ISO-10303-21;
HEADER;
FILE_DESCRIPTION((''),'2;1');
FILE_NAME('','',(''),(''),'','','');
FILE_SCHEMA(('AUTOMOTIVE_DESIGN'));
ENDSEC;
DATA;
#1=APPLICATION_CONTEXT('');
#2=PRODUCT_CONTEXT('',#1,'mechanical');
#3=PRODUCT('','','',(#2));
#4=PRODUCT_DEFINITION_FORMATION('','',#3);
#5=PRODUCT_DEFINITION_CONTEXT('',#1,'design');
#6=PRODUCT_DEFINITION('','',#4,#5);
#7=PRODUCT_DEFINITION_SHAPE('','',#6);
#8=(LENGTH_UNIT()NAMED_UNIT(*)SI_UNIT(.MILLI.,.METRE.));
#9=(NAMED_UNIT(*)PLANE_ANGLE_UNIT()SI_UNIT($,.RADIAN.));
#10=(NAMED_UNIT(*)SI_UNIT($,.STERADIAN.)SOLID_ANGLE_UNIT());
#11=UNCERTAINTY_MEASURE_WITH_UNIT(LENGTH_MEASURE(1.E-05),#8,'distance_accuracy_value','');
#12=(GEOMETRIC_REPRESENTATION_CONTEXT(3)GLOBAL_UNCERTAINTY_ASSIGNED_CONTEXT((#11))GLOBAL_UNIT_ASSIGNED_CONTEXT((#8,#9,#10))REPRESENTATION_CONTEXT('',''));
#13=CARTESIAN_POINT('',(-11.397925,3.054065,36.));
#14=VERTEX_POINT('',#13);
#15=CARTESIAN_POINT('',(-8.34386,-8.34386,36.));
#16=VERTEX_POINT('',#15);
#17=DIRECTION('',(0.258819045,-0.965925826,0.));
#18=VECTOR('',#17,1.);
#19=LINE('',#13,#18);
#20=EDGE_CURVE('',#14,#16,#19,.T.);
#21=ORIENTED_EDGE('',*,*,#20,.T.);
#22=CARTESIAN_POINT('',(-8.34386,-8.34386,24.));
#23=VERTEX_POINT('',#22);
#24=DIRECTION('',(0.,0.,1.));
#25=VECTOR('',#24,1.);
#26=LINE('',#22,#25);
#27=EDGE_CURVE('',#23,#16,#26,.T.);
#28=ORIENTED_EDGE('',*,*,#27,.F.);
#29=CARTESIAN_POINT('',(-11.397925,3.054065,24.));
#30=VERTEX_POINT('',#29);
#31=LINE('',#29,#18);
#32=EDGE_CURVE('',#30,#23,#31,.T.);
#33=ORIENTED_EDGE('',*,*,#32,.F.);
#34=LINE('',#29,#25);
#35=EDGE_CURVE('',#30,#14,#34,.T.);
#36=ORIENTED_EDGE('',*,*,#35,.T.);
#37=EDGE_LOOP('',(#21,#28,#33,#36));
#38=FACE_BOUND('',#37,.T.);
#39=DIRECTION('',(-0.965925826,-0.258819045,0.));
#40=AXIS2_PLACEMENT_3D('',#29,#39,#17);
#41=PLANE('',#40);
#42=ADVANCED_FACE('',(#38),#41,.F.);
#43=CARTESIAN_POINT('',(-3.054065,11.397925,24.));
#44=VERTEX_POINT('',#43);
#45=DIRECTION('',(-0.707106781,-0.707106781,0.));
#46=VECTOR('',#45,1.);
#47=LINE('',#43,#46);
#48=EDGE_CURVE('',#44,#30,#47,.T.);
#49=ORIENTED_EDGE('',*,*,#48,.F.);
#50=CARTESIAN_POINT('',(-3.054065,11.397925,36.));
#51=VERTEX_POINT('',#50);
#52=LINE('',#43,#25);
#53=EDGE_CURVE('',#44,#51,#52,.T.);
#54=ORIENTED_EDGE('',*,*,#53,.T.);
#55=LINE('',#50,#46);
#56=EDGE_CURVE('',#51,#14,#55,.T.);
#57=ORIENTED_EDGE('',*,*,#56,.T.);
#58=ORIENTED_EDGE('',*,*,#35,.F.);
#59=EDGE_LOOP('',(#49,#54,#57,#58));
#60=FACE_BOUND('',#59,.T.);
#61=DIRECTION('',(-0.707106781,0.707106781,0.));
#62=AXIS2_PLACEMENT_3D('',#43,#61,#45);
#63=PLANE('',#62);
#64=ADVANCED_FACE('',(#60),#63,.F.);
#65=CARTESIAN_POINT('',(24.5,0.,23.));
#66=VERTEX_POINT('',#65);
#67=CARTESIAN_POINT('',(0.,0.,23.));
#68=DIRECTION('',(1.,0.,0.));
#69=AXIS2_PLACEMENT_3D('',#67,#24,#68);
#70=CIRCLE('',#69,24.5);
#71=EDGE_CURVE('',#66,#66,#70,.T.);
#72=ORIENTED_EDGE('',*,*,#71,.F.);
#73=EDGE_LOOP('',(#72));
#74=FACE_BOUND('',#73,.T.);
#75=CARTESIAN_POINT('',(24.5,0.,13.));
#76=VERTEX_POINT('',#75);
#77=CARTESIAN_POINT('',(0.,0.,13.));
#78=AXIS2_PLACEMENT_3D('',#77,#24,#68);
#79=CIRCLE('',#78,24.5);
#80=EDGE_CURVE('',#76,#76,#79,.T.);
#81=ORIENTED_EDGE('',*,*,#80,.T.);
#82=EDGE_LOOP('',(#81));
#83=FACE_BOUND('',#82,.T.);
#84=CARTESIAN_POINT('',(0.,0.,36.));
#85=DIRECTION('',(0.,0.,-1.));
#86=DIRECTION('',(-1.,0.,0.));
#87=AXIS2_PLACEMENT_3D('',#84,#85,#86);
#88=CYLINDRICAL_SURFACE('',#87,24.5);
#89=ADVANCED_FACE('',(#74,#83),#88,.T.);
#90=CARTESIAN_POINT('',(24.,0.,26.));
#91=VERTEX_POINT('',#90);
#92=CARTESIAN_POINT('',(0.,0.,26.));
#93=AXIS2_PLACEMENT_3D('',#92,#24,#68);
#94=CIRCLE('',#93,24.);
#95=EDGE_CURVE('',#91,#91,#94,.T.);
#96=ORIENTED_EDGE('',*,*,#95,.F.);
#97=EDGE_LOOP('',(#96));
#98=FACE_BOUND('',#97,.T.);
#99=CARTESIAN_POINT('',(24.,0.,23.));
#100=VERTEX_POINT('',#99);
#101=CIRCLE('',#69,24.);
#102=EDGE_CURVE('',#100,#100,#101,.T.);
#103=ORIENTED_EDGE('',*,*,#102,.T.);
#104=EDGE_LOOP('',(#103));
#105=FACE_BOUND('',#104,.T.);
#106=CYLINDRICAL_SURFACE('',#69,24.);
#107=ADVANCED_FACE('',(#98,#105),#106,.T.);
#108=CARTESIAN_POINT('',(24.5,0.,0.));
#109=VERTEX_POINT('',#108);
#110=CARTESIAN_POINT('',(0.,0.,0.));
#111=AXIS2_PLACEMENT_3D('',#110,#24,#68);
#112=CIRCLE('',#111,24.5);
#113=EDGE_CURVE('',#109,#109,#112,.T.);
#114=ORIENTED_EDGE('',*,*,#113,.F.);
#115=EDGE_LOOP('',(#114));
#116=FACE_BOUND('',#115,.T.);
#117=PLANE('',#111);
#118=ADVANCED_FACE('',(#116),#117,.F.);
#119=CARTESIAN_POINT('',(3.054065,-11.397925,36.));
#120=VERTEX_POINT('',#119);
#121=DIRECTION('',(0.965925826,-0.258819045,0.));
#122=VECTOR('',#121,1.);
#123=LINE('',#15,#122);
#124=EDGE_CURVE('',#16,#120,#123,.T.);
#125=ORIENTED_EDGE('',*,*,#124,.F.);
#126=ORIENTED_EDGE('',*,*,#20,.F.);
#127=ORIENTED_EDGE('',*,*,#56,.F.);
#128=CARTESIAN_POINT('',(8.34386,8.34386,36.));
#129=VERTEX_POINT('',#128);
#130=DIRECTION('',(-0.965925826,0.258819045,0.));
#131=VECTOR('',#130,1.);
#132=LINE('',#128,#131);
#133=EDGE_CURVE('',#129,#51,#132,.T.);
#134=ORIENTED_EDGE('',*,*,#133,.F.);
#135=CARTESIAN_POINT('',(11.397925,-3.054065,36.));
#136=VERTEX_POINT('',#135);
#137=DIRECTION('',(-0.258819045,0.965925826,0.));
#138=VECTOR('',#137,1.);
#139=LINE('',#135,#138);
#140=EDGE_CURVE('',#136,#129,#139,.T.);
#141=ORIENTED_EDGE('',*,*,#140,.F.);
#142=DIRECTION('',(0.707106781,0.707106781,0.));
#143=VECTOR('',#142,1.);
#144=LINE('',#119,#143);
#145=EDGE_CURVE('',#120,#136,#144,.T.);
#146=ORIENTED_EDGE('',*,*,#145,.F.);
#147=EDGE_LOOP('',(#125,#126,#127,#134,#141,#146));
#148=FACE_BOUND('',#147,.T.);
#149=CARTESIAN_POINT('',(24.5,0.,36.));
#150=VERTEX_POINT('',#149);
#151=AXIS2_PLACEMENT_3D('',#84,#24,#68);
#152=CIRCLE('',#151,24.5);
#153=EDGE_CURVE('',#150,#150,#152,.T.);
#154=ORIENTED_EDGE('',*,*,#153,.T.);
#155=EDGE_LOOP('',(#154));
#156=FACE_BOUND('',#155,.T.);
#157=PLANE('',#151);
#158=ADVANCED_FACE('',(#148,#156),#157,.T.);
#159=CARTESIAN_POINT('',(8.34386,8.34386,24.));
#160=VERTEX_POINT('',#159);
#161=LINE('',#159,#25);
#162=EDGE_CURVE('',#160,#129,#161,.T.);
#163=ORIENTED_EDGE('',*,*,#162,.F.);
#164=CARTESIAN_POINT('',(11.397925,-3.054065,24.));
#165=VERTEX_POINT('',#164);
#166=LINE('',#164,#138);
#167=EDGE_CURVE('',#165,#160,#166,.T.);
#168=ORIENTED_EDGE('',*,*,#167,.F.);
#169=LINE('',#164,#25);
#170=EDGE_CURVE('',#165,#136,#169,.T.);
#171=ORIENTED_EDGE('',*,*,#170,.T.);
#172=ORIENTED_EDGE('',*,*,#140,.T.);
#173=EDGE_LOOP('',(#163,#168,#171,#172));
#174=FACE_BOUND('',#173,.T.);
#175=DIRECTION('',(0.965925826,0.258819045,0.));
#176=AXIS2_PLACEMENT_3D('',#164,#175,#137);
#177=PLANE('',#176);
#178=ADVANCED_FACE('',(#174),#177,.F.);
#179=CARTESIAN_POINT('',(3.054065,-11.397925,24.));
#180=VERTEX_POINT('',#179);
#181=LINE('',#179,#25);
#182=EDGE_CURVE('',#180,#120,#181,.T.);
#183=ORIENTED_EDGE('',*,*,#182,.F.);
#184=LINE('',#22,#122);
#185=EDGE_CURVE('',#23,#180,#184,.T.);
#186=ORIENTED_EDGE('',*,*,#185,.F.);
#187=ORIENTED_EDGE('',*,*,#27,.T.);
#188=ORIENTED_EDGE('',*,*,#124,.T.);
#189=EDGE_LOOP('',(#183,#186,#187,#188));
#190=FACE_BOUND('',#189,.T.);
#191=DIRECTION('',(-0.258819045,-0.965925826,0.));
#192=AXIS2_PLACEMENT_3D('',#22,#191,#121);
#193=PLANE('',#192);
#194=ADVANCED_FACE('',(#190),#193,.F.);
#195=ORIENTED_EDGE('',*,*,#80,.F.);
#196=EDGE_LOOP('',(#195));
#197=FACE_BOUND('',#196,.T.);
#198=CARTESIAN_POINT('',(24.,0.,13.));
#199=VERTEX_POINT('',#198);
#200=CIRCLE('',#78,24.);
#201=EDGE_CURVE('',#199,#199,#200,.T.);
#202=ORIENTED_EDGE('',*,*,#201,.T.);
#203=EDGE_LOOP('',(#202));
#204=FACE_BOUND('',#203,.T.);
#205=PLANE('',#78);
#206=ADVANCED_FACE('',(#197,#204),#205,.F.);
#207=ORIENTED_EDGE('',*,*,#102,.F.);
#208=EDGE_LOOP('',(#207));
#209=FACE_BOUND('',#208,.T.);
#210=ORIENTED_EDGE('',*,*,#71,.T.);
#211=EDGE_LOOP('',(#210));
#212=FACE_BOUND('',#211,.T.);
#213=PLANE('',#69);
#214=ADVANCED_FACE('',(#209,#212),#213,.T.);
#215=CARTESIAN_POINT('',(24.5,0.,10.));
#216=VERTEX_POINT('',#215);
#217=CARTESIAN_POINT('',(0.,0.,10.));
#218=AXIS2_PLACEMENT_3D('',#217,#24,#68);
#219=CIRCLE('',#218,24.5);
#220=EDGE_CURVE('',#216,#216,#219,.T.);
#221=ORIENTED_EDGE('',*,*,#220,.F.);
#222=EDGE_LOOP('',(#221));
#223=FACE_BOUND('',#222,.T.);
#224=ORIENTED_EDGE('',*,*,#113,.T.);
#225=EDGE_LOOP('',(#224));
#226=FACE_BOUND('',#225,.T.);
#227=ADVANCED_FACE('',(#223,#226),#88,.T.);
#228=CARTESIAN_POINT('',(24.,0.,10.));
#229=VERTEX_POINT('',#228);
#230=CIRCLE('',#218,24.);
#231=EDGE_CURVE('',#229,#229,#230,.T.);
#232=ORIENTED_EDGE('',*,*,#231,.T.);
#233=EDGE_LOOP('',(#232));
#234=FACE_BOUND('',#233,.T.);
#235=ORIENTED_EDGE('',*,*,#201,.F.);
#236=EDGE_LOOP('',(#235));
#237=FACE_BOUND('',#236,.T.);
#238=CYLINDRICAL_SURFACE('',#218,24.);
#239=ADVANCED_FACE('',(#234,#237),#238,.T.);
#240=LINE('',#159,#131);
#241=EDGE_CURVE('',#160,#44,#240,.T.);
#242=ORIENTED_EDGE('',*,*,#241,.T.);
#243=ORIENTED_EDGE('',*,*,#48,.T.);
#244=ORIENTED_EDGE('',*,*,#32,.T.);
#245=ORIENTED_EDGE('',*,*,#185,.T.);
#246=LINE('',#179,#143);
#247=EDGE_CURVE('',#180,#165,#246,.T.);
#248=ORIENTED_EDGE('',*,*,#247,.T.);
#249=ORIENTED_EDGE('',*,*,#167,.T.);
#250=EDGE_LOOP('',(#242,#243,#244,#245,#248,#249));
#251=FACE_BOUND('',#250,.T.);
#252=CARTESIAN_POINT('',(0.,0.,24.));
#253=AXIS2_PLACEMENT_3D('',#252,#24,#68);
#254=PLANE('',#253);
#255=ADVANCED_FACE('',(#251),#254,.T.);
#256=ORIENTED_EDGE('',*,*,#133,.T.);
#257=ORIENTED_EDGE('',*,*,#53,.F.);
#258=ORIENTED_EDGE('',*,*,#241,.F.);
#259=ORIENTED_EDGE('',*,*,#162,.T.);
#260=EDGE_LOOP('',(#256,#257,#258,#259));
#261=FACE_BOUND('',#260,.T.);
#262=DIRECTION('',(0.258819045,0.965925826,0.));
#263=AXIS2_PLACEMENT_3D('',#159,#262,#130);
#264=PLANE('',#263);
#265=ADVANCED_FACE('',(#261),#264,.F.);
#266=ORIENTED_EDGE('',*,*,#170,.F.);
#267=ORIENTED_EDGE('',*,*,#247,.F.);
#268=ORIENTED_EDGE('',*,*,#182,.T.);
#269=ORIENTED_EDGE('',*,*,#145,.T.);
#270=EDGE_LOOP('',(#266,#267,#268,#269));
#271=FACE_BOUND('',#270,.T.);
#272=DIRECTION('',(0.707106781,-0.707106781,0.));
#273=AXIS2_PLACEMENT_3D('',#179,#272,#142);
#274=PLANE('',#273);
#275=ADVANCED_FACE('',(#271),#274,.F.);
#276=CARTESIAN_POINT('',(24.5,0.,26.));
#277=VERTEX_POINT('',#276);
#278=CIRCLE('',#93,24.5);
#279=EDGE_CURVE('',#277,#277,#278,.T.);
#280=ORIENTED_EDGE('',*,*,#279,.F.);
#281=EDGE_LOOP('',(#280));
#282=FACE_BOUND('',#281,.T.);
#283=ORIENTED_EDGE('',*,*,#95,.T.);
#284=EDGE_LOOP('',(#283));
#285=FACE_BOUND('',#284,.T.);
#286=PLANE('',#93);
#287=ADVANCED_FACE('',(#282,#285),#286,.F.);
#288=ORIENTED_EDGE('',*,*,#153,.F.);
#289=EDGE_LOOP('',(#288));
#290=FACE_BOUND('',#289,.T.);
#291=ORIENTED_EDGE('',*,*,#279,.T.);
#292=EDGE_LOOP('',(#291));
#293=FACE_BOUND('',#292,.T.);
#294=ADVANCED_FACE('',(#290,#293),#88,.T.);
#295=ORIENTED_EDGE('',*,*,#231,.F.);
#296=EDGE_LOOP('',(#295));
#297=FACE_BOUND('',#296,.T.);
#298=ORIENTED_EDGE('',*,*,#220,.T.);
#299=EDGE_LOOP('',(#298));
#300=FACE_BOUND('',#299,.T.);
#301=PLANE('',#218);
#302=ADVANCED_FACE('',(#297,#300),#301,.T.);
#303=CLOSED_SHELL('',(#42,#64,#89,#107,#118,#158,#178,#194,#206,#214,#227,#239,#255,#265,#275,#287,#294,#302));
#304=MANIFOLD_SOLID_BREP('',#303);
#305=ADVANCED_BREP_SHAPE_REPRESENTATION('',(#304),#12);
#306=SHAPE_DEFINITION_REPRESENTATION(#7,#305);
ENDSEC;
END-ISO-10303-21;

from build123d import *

# Parameters (mm, degrees)
SKETCH1_R           = 24.5
BOSS_EXTRUDE1_DEPTH = 36
CUT_EXTRUDE1_DEPTH  = 12
CUT_EXTRUDE2_START  = -10
SKETCH3_R           = 24.5
SKETCH3_R_2         = 24
CUT_EXTRUDE2_DEPTH  = 3
CUT_EXTRUDE3_START  = -23
SKETCH4_R           = 24.5
SKETCH4_R_2         = 24
CUT_EXTRUDE3_DEPTH  = 3


with BuildPart() as part:
    # Sketch1 → Boss-Extrude1 (new body)
    with BuildSketch(Plane.XY):
        Circle(SKETCH1_R)
    extrude(amount=BOSS_EXTRUDE1_DEPTH)

    # Sketch2 → Cut-Extrude1 (cut)
    with BuildSketch(Plane.XY.offset(36)):
        Polygon((8.343860018, 8.343860018), (-3.054064732, 11.39792475), (-11.39792475, 3.054064732), (-8.343860018, -8.343860018), (3.054064732, -11.39792475), (11.39792475, -3.054064732), align=None)
    extrude(amount=-CUT_EXTRUDE1_DEPTH, mode=Mode.SUBTRACT)

    # Sketch3 → Cut-Extrude2 (cut)
    with BuildSketch(Plane.XY.offset(36).offset(CUT_EXTRUDE2_START)):
        Circle(SKETCH3_R)
        Circle(SKETCH3_R_2, mode=Mode.SUBTRACT)
    extrude(amount=-CUT_EXTRUDE2_DEPTH, mode=Mode.SUBTRACT)

    # Sketch4 → Cut-Extrude3 (cut)
    with BuildSketch(Plane.XY.offset(36).offset(CUT_EXTRUDE3_START)):
        Circle(SKETCH4_R)
        Circle(SKETCH4_R_2, mode=Mode.SUBTRACT)
    extrude(amount=-CUT_EXTRUDE3_DEPTH, mode=Mode.SUBTRACT)


solid = part.part
